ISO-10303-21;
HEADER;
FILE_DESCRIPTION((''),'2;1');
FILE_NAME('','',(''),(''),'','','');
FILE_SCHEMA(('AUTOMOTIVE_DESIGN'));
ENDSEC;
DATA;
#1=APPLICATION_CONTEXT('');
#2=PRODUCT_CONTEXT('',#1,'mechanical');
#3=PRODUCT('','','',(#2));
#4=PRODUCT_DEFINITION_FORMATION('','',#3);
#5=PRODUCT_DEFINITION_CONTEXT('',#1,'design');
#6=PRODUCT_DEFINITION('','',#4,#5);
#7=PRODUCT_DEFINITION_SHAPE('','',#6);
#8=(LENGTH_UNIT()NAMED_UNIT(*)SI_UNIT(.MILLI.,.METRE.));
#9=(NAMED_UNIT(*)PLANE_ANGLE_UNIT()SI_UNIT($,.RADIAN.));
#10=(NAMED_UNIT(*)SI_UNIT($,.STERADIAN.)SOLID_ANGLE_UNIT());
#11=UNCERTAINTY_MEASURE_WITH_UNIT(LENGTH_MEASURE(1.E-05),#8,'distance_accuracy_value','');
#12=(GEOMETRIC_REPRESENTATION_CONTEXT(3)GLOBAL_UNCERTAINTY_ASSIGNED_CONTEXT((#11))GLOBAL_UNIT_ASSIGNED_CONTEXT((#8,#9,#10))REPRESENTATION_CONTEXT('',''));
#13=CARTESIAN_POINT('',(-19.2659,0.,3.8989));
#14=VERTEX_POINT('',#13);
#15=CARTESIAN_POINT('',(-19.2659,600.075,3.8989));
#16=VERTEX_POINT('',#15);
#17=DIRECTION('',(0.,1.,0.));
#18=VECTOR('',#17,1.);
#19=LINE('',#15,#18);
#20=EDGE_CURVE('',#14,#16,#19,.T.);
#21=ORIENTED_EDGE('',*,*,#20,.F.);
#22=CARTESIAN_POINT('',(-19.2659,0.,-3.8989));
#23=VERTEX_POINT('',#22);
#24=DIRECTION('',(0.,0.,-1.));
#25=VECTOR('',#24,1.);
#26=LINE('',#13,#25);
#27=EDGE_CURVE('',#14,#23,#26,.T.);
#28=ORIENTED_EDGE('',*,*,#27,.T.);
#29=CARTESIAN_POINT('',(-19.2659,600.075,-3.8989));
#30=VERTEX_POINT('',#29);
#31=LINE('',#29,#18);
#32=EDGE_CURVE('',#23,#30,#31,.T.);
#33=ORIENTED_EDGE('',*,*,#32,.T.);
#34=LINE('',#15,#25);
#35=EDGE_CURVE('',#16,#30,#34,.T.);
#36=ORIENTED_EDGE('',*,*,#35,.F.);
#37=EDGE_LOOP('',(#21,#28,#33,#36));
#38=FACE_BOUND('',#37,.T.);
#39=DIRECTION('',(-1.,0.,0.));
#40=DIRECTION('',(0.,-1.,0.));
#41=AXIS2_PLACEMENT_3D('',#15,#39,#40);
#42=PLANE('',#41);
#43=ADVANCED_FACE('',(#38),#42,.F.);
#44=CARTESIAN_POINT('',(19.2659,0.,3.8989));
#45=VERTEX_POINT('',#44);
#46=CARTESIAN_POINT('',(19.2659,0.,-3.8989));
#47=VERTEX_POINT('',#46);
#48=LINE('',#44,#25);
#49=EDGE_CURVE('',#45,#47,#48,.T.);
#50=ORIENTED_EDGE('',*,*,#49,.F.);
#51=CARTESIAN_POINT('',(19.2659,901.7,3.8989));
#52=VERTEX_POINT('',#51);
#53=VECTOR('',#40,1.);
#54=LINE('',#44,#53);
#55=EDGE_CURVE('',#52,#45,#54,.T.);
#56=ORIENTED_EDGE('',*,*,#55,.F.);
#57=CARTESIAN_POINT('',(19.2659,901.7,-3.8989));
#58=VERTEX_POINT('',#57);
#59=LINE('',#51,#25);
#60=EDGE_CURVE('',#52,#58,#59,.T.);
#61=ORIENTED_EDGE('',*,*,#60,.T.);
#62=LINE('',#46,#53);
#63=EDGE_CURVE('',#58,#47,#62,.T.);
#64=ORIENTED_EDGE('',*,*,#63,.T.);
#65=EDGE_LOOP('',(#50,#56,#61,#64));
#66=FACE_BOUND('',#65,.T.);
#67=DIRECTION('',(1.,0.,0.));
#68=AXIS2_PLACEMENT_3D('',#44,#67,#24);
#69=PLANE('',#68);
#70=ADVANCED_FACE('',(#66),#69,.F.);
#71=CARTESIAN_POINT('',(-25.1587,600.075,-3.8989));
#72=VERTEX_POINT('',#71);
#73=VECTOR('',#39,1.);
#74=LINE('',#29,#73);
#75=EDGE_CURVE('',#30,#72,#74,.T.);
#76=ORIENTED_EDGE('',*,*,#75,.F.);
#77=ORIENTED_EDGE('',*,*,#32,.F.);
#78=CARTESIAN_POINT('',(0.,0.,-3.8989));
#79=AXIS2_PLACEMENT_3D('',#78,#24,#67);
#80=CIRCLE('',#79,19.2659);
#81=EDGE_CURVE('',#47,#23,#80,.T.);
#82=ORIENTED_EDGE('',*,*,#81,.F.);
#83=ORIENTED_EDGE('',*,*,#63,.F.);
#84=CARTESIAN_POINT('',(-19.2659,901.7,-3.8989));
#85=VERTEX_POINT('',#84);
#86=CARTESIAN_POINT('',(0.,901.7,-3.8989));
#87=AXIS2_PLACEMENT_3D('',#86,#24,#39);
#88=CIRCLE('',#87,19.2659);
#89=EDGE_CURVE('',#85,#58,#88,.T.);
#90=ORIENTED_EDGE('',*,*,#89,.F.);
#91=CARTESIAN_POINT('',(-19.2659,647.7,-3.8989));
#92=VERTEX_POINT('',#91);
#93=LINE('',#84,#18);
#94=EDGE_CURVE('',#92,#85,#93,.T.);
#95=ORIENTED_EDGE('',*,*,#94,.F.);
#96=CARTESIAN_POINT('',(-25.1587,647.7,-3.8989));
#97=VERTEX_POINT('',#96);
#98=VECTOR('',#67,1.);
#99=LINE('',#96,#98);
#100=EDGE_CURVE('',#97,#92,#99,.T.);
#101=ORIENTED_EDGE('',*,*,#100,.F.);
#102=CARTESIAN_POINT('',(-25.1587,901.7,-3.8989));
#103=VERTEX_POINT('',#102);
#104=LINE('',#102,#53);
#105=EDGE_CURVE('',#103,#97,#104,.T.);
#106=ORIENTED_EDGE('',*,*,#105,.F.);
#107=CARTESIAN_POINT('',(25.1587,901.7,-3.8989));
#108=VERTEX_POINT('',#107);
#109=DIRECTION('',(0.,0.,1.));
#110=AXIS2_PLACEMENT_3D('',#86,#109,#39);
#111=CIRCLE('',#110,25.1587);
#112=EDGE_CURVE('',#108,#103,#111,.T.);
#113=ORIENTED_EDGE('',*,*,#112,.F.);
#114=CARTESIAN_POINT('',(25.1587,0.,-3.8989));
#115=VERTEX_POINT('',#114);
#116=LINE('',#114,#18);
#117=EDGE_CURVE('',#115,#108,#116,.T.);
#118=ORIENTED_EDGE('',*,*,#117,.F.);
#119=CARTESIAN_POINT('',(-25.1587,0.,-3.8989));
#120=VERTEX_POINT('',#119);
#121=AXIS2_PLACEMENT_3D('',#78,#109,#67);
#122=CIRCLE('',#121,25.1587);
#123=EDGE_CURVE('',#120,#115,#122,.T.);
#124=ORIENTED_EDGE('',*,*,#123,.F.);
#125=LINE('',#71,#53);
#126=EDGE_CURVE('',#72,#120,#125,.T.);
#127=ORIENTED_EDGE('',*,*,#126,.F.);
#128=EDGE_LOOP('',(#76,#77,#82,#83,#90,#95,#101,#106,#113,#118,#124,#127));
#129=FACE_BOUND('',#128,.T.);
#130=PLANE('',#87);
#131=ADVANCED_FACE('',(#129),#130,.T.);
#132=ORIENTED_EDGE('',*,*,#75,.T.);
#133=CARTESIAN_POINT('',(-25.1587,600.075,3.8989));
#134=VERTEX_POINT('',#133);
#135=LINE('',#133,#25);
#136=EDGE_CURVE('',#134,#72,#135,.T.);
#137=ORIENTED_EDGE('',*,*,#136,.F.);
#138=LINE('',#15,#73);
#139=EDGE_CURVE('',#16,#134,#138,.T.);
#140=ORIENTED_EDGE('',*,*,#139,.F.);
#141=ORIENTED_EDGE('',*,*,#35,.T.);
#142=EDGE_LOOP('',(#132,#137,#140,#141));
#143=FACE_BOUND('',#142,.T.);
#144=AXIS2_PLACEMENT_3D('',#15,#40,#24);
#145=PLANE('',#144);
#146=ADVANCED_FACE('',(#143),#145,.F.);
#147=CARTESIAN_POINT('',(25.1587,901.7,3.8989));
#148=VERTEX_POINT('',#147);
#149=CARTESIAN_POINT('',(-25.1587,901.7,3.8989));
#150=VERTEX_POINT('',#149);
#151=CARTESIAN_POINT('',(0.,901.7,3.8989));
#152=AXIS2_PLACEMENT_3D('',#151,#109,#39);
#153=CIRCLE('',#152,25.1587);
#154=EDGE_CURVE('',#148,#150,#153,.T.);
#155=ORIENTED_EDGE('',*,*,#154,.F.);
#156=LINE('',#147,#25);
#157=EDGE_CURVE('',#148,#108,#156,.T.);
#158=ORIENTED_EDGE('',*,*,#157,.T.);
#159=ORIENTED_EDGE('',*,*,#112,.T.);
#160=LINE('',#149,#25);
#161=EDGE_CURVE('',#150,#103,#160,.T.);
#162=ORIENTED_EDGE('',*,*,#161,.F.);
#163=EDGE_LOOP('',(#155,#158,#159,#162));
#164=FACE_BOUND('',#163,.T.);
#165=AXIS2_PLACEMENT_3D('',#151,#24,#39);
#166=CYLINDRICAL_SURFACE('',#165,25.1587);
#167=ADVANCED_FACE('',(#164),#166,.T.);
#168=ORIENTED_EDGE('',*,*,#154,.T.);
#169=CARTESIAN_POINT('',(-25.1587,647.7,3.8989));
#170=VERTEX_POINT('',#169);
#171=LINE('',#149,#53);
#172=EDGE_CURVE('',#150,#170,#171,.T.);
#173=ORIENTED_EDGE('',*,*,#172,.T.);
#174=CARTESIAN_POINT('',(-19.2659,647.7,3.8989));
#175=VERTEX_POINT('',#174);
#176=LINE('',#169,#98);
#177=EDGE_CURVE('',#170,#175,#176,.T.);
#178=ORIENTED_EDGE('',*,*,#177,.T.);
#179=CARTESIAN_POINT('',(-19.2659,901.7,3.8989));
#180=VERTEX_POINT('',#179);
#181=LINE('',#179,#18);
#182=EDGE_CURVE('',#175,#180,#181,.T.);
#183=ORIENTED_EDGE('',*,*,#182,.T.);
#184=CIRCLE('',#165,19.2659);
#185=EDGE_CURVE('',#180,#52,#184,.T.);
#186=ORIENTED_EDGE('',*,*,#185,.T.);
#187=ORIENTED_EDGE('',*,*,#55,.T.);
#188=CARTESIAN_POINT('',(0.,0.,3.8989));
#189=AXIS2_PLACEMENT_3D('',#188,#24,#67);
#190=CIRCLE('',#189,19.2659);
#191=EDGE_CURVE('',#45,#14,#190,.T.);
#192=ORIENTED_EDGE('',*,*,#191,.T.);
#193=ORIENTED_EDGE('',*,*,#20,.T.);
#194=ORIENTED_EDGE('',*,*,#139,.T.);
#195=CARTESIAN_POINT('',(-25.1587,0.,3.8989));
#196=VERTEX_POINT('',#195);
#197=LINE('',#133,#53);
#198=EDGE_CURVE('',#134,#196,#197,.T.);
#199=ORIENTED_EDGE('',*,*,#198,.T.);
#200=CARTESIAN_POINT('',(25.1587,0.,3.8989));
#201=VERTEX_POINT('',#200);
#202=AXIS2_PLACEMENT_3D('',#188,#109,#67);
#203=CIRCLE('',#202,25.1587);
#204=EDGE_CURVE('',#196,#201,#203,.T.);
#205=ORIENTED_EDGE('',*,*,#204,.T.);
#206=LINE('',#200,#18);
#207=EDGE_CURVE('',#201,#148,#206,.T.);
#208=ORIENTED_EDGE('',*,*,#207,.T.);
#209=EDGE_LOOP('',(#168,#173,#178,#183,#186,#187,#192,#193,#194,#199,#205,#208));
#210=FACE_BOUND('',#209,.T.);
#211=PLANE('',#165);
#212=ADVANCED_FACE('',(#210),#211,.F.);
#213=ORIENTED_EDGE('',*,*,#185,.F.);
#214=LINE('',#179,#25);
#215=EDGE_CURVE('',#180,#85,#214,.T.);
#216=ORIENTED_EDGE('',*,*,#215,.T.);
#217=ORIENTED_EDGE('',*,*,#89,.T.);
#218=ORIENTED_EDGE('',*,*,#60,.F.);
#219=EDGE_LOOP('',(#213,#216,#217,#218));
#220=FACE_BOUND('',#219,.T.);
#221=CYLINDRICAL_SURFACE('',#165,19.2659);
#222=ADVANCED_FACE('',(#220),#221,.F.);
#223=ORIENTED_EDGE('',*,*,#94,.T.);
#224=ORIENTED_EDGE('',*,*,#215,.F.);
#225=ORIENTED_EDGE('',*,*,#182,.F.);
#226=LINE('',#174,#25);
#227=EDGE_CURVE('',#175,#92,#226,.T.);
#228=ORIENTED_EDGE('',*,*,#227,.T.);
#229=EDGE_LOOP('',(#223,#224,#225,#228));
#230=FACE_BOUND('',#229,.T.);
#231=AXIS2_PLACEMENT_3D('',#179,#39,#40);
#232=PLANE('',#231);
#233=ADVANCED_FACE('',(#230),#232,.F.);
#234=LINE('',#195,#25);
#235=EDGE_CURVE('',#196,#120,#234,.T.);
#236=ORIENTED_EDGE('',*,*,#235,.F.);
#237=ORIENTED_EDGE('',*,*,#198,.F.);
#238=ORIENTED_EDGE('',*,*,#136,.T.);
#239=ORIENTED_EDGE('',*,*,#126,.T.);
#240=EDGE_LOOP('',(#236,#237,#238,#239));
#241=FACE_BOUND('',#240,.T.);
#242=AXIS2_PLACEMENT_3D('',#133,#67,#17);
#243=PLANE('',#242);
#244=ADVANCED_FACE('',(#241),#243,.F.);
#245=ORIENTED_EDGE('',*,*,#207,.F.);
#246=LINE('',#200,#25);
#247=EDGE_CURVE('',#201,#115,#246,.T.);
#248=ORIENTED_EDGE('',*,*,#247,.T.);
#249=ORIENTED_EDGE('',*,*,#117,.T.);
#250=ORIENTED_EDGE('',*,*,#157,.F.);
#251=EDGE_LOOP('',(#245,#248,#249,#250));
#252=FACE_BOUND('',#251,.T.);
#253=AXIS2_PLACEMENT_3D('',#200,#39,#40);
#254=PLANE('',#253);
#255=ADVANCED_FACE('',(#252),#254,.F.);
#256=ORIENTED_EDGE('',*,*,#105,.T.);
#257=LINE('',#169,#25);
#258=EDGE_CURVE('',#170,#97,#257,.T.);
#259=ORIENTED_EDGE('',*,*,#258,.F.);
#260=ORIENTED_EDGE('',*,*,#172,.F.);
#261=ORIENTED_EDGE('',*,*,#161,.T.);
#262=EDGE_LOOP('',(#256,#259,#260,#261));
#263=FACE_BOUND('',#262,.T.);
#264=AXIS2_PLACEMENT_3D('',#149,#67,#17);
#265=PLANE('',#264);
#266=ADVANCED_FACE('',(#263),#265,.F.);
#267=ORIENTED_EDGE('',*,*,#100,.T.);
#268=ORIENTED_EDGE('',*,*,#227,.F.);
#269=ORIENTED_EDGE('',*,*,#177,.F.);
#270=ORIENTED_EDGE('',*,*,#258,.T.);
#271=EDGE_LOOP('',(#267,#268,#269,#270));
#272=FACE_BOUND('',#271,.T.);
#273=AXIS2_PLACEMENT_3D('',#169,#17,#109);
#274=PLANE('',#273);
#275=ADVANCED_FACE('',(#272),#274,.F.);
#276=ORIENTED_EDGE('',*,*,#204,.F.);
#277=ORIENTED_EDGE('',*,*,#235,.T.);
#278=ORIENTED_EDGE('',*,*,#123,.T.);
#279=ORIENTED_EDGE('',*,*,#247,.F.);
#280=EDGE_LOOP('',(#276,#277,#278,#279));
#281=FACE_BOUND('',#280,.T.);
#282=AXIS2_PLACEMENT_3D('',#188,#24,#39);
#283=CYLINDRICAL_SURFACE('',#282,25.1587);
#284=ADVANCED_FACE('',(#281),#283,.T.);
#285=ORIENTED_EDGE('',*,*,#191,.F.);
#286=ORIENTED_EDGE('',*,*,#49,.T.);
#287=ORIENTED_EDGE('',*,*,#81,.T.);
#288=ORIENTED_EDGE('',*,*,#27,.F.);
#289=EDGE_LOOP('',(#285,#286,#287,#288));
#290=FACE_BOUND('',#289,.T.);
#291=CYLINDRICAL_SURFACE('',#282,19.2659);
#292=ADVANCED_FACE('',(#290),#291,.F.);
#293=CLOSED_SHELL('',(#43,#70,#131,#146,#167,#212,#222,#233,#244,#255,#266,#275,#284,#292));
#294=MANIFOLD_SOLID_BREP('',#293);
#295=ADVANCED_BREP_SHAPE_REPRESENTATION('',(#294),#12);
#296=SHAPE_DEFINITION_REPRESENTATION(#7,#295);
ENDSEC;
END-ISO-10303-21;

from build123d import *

# Parameters (mm, degrees)
BOSS_EXTRUDE1_DEPTH = 3.8989


with BuildPart() as part:
    # Sketch1 → Boss-Extrude1 (new body, symmetric)
    with BuildSketch(Plane.XY):
        with BuildLine():
            Line((-25.1587, 901.7), (-25.1587, 647.7))
            Line((-25.1587, 647.7), (-19.2659, 647.7))
            Line((-19.2659, 647.7), (-19.2659, 901.7))
            ThreePointArc((-19.2659, 901.7), (0, 920.9659), (19.2659, 901.7))
            Line((19.2659, 901.7), (19.2659, 0))
            ThreePointArc((19.2659, 0), (0, -19.2659), (-19.2659, 0))
            Line((-19.2659, 0), (-19.2659, 600.075))
            Line((-19.2659, 600.075), (-25.1587, 600.075))
            Line((-25.1587, 600.075), (-25.1587, 0))
            ThreePointArc((-25.1587, 0), (0, -25.1587), (25.1587, 0))
            Line((25.1587, 0), (25.1587, 901.7))
            ThreePointArc((25.1587, 901.7), (0, 926.8587), (-25.1587, 901.7))
        make_face()
    extrude(amount=BOSS_EXTRUDE1_DEPTH, both=True)


solid = part.part
